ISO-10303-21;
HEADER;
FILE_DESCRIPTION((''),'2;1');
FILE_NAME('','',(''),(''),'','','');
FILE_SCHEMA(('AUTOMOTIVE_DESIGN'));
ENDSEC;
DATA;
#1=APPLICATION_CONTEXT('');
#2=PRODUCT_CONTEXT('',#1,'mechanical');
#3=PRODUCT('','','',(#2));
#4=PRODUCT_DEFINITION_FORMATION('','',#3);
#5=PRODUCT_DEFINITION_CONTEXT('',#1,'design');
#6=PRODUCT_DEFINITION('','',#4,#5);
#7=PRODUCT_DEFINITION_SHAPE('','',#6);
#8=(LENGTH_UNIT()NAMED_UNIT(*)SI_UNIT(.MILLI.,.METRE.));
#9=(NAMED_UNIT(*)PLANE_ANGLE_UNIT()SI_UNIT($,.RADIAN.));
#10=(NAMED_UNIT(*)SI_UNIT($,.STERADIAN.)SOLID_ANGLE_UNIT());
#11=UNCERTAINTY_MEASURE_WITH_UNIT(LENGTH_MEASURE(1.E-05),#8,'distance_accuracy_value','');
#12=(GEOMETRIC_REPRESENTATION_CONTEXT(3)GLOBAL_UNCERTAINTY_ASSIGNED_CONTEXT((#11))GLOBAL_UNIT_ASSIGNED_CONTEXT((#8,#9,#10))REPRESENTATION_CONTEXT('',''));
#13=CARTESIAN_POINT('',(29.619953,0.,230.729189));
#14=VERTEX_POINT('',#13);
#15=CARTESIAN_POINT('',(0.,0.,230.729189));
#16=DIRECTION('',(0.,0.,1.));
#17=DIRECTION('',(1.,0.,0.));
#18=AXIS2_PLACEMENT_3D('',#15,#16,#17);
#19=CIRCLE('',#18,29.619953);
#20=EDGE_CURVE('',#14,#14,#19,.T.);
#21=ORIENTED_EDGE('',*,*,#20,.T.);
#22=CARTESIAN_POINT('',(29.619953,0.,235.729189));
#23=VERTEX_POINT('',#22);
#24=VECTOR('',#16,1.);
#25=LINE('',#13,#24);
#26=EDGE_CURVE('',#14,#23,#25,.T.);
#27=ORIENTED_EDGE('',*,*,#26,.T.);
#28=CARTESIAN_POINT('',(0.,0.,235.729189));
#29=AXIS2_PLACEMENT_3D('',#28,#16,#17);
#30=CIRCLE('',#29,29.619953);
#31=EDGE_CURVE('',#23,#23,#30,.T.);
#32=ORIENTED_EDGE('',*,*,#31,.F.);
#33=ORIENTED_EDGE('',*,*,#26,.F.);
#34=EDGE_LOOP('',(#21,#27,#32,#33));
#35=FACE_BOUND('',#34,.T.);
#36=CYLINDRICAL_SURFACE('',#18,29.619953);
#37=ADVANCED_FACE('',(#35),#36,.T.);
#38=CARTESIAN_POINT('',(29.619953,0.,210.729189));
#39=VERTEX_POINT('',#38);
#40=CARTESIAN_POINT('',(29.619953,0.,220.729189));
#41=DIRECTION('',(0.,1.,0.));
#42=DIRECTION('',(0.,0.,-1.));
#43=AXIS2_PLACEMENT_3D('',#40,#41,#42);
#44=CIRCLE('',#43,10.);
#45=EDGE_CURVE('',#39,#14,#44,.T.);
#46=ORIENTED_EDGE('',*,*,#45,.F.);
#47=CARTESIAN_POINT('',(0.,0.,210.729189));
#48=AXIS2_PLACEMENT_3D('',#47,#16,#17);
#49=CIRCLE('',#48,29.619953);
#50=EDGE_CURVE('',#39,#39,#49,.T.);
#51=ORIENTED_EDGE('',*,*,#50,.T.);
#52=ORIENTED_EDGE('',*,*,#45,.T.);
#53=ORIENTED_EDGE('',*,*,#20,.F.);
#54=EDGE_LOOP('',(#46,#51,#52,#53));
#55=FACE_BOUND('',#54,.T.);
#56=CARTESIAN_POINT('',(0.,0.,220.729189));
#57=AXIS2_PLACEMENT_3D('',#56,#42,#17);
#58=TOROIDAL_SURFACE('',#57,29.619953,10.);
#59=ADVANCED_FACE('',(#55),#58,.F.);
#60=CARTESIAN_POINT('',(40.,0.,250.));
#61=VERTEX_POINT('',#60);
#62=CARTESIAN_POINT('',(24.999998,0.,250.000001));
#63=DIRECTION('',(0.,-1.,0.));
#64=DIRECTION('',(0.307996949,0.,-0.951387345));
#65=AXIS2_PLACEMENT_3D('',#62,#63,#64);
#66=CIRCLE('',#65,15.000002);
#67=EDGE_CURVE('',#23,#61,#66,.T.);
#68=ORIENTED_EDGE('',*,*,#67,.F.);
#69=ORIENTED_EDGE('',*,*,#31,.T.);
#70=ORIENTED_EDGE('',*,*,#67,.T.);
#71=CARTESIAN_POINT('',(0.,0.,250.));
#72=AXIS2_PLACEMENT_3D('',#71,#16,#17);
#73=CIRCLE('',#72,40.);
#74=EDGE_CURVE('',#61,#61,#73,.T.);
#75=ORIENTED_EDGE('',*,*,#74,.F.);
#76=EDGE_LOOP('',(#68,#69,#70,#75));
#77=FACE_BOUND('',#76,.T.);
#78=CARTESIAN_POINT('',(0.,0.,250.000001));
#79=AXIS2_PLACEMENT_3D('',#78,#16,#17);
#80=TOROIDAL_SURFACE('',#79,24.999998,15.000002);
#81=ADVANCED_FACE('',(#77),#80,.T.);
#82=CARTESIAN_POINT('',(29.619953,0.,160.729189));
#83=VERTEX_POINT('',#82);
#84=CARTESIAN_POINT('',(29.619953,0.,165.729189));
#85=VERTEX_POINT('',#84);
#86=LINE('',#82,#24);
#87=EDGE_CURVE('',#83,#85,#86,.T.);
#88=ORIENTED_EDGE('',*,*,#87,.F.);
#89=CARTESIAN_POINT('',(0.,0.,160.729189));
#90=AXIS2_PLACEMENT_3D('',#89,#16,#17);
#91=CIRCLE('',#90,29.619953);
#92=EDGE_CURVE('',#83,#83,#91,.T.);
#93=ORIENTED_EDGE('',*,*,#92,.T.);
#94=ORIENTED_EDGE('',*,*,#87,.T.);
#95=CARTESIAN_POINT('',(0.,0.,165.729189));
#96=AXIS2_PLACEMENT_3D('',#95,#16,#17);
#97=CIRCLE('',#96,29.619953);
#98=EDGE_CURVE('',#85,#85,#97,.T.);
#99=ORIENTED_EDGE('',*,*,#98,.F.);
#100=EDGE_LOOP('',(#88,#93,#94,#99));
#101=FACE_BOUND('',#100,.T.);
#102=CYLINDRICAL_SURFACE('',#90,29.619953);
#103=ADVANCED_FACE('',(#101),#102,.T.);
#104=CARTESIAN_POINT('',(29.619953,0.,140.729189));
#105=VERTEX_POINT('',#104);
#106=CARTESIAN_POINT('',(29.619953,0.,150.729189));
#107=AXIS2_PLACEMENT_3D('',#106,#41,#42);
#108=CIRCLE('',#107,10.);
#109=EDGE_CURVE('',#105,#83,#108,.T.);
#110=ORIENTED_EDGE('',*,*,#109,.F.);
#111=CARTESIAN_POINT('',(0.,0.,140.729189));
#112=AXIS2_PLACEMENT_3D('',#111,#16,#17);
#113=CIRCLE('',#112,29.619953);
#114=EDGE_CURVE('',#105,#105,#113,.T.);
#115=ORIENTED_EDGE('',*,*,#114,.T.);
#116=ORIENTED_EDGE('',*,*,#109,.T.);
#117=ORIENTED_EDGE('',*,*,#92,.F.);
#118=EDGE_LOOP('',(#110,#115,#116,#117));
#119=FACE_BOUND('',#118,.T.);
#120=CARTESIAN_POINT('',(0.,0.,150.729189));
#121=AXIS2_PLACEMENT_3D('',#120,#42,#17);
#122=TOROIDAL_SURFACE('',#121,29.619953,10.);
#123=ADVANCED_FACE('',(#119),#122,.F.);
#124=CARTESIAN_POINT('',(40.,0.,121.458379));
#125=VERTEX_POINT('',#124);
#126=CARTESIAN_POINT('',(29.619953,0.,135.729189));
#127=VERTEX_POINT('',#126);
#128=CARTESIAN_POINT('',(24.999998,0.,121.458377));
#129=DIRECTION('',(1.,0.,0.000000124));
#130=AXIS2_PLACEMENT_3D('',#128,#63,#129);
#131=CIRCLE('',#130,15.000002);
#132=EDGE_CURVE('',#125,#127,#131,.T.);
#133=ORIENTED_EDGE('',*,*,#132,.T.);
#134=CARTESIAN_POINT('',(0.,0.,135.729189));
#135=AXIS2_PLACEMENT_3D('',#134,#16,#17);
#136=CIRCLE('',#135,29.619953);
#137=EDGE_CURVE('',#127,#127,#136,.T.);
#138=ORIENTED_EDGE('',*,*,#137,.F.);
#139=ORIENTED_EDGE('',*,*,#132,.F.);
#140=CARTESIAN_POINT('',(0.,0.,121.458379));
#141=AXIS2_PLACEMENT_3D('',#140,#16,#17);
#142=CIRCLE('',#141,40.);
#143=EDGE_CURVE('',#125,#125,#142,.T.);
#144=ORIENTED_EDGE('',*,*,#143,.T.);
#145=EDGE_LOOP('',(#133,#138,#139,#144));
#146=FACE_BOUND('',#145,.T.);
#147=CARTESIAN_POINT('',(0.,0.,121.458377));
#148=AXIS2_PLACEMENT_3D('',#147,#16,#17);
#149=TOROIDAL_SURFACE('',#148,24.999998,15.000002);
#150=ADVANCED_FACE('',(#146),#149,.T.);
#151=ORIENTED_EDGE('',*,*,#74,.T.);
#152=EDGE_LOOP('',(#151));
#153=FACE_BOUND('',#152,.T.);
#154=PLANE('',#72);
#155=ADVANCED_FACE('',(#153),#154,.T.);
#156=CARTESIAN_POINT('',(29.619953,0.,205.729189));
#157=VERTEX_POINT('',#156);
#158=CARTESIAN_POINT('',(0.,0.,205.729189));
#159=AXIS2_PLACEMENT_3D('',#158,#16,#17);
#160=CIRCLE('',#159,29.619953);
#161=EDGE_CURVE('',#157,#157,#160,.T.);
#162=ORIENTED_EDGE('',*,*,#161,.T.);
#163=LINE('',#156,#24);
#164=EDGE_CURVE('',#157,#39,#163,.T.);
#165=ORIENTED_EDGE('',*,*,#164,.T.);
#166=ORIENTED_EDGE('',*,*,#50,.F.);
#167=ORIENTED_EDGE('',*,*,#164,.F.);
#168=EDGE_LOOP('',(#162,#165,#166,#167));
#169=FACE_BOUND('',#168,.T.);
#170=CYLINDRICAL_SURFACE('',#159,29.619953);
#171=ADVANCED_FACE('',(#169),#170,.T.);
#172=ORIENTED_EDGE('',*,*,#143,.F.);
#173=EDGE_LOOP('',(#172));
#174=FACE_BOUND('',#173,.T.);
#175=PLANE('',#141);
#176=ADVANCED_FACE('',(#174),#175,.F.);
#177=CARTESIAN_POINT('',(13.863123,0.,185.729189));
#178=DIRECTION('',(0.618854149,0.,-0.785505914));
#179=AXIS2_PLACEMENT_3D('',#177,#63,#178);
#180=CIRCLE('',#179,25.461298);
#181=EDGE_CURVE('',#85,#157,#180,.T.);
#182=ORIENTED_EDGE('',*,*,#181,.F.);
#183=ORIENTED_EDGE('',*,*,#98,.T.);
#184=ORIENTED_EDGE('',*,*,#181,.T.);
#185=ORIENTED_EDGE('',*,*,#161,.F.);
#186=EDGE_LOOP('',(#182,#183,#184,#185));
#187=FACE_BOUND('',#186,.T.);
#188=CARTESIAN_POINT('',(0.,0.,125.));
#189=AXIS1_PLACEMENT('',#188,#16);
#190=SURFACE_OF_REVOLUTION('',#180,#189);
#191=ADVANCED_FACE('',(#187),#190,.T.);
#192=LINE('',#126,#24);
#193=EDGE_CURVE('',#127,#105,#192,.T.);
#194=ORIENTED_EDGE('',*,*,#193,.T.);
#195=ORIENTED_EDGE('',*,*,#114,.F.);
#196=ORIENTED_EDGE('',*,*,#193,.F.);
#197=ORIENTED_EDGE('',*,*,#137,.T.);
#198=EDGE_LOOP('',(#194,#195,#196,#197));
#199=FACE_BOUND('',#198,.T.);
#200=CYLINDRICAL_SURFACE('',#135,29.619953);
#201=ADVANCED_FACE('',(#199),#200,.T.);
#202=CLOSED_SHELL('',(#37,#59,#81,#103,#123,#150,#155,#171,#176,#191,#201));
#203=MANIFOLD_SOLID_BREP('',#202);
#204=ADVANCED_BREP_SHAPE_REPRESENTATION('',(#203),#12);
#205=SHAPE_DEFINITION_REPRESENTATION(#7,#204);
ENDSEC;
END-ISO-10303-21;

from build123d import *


with BuildPart() as f1:
    # F0 (on Front) → F1 (revolve)
    with BuildSketch(Plane.XZ):
        with BuildLine():
            Line((40, 250), (0, 250))
            Line((0, 250), (0, 121.458379))
            Line((0, 121.458379), (40, 121.458379))
            ThreePointArc((40, 121.458379), (37.130525, 130.281663), (29.619953, 135.729189))
            Line((29.619953, 135.729189), (29.619953, 140.729189))
            ThreePointArc((29.619953, 140.729189), (19.619953, 150.729189), (29.619953, 160.729189))
            Line((29.619953, 160.729189), (29.619953, 165.729189))
            ThreePointArc((29.619953, 165.729189), (39.324421, 185.729189), (29.619953, 205.729189))
            Line((29.619953, 205.729189), (29.619953, 210.729189))
            ThreePointArc((29.619953, 210.729189), (19.619953, 220.729189), (29.619953, 230.729189))
            Line((29.619953, 230.729189), (29.619953, 235.729189))
            ThreePointArc((29.619953, 235.729189), (37.130525, 241.176715), (40, 250))
        make_face()
    revolve(axis=Axis((0, 0, 125), (0, 0, 1)))


solid = f1.part
